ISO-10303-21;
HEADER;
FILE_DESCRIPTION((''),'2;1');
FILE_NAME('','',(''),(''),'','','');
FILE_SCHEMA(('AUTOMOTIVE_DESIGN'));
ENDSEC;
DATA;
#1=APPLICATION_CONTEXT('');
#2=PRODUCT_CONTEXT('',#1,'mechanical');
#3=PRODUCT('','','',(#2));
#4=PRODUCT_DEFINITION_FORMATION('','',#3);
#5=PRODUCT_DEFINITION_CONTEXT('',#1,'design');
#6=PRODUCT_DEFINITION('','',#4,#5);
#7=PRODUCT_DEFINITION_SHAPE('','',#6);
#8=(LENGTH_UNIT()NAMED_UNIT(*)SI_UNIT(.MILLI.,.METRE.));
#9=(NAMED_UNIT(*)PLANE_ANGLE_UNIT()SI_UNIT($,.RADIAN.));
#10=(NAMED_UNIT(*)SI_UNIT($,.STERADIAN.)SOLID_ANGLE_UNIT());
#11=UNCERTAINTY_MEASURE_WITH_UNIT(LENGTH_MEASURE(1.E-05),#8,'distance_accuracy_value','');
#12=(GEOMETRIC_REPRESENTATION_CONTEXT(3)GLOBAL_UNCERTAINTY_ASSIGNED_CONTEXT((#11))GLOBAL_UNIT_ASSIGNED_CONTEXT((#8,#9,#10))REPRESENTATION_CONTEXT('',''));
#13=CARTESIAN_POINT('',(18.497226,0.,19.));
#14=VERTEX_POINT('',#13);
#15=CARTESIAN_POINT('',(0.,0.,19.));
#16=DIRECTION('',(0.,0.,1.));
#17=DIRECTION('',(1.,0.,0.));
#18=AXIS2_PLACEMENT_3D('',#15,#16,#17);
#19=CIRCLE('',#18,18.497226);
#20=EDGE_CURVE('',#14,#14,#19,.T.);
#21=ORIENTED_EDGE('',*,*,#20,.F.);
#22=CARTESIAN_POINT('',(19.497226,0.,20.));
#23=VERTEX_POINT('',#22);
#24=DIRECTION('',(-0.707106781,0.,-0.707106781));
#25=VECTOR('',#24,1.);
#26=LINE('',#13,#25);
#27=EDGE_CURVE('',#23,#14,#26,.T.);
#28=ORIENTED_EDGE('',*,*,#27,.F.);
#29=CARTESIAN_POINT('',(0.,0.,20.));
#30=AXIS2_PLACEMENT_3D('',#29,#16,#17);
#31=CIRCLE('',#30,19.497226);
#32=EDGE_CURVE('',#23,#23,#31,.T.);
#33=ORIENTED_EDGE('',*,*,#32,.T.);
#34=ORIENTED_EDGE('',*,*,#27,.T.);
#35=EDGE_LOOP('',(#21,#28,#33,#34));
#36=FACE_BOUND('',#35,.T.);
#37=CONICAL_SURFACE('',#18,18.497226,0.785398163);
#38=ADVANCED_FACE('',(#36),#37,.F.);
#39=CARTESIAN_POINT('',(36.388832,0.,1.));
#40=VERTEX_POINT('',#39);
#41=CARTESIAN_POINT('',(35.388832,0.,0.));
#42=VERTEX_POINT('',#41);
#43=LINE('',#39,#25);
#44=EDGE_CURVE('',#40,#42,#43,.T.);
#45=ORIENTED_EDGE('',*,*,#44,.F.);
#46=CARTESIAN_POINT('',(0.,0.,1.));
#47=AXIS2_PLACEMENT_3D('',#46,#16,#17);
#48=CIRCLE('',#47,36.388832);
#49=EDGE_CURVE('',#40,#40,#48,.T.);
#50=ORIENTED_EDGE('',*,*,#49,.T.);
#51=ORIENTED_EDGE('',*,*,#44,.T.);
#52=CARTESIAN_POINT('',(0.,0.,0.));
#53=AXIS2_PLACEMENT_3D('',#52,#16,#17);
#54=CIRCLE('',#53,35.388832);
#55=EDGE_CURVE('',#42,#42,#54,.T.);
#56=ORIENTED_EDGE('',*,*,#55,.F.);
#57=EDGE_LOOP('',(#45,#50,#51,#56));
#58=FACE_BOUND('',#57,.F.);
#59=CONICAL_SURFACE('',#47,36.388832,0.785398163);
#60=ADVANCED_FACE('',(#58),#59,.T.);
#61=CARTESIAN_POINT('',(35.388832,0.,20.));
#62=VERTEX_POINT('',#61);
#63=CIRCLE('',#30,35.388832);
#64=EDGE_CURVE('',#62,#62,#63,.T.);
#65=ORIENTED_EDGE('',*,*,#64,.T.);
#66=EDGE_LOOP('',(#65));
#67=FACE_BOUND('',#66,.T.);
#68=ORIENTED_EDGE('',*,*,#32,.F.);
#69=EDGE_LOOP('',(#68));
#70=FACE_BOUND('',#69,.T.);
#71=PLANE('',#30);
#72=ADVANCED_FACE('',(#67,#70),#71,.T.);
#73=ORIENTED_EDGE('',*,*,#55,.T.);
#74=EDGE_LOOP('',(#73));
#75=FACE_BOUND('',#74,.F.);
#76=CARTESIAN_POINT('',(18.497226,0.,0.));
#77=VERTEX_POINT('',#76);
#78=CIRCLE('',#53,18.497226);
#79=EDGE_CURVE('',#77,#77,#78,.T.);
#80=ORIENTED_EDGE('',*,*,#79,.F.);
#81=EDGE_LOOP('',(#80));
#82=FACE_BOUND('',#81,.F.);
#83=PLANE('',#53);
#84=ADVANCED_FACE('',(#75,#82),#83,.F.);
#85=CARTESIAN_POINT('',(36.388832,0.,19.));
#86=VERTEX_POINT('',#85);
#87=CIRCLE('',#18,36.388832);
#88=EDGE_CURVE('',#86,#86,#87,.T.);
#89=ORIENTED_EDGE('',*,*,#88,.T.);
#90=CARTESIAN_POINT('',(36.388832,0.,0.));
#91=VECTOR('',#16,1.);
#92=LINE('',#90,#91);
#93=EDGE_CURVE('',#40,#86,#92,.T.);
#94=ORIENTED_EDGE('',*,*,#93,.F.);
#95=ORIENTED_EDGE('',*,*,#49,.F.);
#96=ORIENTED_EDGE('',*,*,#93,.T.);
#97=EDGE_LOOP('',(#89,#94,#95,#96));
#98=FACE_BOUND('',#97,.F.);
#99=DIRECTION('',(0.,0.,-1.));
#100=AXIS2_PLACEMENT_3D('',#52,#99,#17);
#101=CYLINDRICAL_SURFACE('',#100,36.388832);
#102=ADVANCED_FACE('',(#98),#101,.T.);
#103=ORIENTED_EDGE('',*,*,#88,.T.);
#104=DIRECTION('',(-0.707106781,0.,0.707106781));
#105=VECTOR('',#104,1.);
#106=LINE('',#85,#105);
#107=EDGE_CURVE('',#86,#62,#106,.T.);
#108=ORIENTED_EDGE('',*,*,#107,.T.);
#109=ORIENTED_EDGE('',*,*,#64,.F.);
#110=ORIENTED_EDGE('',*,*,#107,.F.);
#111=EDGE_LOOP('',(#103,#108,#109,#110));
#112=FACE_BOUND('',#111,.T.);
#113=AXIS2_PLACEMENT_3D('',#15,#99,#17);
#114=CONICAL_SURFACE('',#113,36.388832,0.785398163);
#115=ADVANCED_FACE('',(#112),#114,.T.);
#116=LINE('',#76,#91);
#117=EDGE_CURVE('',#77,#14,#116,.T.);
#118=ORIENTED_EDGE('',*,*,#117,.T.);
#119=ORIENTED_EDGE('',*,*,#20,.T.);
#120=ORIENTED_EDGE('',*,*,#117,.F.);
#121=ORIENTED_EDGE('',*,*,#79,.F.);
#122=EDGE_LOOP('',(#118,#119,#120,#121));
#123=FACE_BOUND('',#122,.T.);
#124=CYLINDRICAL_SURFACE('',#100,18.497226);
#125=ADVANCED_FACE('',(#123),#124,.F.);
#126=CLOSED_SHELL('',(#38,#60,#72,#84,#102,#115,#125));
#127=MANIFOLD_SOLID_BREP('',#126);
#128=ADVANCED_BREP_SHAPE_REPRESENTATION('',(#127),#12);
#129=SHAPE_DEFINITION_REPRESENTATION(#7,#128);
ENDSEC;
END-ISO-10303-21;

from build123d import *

# Parameters (mm, degrees)
F1_R     = 36.388832
F1_R_2   = 18.497226
F2_DEPTH = 20
F3_SIZE  = 1
F4_SIZE  = 1


with BuildPart() as f2:
    # F1 (on face) → F2 (new body)
    with BuildSketch(Plane.XY):
        Circle(F1_R)
        Circle(F1_R_2, mode=Mode.SUBTRACT)
    extrude(amount=F2_DEPTH)

    # F3
    f3_edges = [f2.edges().sort_by_distance(p)[0] for p in [
        (-36.388832, 0, 20),
        (-36.388832, 0, 0),
    ]]
    chamfer(f3_edges, length=F3_SIZE)

    # F4
    f4_edges = [f2.edges().sort_by_distance(p)[0] for p in [
        (-18.497226, 0, 20),
    ]]
    chamfer(f4_edges, length=F4_SIZE)


solid = f2.part
